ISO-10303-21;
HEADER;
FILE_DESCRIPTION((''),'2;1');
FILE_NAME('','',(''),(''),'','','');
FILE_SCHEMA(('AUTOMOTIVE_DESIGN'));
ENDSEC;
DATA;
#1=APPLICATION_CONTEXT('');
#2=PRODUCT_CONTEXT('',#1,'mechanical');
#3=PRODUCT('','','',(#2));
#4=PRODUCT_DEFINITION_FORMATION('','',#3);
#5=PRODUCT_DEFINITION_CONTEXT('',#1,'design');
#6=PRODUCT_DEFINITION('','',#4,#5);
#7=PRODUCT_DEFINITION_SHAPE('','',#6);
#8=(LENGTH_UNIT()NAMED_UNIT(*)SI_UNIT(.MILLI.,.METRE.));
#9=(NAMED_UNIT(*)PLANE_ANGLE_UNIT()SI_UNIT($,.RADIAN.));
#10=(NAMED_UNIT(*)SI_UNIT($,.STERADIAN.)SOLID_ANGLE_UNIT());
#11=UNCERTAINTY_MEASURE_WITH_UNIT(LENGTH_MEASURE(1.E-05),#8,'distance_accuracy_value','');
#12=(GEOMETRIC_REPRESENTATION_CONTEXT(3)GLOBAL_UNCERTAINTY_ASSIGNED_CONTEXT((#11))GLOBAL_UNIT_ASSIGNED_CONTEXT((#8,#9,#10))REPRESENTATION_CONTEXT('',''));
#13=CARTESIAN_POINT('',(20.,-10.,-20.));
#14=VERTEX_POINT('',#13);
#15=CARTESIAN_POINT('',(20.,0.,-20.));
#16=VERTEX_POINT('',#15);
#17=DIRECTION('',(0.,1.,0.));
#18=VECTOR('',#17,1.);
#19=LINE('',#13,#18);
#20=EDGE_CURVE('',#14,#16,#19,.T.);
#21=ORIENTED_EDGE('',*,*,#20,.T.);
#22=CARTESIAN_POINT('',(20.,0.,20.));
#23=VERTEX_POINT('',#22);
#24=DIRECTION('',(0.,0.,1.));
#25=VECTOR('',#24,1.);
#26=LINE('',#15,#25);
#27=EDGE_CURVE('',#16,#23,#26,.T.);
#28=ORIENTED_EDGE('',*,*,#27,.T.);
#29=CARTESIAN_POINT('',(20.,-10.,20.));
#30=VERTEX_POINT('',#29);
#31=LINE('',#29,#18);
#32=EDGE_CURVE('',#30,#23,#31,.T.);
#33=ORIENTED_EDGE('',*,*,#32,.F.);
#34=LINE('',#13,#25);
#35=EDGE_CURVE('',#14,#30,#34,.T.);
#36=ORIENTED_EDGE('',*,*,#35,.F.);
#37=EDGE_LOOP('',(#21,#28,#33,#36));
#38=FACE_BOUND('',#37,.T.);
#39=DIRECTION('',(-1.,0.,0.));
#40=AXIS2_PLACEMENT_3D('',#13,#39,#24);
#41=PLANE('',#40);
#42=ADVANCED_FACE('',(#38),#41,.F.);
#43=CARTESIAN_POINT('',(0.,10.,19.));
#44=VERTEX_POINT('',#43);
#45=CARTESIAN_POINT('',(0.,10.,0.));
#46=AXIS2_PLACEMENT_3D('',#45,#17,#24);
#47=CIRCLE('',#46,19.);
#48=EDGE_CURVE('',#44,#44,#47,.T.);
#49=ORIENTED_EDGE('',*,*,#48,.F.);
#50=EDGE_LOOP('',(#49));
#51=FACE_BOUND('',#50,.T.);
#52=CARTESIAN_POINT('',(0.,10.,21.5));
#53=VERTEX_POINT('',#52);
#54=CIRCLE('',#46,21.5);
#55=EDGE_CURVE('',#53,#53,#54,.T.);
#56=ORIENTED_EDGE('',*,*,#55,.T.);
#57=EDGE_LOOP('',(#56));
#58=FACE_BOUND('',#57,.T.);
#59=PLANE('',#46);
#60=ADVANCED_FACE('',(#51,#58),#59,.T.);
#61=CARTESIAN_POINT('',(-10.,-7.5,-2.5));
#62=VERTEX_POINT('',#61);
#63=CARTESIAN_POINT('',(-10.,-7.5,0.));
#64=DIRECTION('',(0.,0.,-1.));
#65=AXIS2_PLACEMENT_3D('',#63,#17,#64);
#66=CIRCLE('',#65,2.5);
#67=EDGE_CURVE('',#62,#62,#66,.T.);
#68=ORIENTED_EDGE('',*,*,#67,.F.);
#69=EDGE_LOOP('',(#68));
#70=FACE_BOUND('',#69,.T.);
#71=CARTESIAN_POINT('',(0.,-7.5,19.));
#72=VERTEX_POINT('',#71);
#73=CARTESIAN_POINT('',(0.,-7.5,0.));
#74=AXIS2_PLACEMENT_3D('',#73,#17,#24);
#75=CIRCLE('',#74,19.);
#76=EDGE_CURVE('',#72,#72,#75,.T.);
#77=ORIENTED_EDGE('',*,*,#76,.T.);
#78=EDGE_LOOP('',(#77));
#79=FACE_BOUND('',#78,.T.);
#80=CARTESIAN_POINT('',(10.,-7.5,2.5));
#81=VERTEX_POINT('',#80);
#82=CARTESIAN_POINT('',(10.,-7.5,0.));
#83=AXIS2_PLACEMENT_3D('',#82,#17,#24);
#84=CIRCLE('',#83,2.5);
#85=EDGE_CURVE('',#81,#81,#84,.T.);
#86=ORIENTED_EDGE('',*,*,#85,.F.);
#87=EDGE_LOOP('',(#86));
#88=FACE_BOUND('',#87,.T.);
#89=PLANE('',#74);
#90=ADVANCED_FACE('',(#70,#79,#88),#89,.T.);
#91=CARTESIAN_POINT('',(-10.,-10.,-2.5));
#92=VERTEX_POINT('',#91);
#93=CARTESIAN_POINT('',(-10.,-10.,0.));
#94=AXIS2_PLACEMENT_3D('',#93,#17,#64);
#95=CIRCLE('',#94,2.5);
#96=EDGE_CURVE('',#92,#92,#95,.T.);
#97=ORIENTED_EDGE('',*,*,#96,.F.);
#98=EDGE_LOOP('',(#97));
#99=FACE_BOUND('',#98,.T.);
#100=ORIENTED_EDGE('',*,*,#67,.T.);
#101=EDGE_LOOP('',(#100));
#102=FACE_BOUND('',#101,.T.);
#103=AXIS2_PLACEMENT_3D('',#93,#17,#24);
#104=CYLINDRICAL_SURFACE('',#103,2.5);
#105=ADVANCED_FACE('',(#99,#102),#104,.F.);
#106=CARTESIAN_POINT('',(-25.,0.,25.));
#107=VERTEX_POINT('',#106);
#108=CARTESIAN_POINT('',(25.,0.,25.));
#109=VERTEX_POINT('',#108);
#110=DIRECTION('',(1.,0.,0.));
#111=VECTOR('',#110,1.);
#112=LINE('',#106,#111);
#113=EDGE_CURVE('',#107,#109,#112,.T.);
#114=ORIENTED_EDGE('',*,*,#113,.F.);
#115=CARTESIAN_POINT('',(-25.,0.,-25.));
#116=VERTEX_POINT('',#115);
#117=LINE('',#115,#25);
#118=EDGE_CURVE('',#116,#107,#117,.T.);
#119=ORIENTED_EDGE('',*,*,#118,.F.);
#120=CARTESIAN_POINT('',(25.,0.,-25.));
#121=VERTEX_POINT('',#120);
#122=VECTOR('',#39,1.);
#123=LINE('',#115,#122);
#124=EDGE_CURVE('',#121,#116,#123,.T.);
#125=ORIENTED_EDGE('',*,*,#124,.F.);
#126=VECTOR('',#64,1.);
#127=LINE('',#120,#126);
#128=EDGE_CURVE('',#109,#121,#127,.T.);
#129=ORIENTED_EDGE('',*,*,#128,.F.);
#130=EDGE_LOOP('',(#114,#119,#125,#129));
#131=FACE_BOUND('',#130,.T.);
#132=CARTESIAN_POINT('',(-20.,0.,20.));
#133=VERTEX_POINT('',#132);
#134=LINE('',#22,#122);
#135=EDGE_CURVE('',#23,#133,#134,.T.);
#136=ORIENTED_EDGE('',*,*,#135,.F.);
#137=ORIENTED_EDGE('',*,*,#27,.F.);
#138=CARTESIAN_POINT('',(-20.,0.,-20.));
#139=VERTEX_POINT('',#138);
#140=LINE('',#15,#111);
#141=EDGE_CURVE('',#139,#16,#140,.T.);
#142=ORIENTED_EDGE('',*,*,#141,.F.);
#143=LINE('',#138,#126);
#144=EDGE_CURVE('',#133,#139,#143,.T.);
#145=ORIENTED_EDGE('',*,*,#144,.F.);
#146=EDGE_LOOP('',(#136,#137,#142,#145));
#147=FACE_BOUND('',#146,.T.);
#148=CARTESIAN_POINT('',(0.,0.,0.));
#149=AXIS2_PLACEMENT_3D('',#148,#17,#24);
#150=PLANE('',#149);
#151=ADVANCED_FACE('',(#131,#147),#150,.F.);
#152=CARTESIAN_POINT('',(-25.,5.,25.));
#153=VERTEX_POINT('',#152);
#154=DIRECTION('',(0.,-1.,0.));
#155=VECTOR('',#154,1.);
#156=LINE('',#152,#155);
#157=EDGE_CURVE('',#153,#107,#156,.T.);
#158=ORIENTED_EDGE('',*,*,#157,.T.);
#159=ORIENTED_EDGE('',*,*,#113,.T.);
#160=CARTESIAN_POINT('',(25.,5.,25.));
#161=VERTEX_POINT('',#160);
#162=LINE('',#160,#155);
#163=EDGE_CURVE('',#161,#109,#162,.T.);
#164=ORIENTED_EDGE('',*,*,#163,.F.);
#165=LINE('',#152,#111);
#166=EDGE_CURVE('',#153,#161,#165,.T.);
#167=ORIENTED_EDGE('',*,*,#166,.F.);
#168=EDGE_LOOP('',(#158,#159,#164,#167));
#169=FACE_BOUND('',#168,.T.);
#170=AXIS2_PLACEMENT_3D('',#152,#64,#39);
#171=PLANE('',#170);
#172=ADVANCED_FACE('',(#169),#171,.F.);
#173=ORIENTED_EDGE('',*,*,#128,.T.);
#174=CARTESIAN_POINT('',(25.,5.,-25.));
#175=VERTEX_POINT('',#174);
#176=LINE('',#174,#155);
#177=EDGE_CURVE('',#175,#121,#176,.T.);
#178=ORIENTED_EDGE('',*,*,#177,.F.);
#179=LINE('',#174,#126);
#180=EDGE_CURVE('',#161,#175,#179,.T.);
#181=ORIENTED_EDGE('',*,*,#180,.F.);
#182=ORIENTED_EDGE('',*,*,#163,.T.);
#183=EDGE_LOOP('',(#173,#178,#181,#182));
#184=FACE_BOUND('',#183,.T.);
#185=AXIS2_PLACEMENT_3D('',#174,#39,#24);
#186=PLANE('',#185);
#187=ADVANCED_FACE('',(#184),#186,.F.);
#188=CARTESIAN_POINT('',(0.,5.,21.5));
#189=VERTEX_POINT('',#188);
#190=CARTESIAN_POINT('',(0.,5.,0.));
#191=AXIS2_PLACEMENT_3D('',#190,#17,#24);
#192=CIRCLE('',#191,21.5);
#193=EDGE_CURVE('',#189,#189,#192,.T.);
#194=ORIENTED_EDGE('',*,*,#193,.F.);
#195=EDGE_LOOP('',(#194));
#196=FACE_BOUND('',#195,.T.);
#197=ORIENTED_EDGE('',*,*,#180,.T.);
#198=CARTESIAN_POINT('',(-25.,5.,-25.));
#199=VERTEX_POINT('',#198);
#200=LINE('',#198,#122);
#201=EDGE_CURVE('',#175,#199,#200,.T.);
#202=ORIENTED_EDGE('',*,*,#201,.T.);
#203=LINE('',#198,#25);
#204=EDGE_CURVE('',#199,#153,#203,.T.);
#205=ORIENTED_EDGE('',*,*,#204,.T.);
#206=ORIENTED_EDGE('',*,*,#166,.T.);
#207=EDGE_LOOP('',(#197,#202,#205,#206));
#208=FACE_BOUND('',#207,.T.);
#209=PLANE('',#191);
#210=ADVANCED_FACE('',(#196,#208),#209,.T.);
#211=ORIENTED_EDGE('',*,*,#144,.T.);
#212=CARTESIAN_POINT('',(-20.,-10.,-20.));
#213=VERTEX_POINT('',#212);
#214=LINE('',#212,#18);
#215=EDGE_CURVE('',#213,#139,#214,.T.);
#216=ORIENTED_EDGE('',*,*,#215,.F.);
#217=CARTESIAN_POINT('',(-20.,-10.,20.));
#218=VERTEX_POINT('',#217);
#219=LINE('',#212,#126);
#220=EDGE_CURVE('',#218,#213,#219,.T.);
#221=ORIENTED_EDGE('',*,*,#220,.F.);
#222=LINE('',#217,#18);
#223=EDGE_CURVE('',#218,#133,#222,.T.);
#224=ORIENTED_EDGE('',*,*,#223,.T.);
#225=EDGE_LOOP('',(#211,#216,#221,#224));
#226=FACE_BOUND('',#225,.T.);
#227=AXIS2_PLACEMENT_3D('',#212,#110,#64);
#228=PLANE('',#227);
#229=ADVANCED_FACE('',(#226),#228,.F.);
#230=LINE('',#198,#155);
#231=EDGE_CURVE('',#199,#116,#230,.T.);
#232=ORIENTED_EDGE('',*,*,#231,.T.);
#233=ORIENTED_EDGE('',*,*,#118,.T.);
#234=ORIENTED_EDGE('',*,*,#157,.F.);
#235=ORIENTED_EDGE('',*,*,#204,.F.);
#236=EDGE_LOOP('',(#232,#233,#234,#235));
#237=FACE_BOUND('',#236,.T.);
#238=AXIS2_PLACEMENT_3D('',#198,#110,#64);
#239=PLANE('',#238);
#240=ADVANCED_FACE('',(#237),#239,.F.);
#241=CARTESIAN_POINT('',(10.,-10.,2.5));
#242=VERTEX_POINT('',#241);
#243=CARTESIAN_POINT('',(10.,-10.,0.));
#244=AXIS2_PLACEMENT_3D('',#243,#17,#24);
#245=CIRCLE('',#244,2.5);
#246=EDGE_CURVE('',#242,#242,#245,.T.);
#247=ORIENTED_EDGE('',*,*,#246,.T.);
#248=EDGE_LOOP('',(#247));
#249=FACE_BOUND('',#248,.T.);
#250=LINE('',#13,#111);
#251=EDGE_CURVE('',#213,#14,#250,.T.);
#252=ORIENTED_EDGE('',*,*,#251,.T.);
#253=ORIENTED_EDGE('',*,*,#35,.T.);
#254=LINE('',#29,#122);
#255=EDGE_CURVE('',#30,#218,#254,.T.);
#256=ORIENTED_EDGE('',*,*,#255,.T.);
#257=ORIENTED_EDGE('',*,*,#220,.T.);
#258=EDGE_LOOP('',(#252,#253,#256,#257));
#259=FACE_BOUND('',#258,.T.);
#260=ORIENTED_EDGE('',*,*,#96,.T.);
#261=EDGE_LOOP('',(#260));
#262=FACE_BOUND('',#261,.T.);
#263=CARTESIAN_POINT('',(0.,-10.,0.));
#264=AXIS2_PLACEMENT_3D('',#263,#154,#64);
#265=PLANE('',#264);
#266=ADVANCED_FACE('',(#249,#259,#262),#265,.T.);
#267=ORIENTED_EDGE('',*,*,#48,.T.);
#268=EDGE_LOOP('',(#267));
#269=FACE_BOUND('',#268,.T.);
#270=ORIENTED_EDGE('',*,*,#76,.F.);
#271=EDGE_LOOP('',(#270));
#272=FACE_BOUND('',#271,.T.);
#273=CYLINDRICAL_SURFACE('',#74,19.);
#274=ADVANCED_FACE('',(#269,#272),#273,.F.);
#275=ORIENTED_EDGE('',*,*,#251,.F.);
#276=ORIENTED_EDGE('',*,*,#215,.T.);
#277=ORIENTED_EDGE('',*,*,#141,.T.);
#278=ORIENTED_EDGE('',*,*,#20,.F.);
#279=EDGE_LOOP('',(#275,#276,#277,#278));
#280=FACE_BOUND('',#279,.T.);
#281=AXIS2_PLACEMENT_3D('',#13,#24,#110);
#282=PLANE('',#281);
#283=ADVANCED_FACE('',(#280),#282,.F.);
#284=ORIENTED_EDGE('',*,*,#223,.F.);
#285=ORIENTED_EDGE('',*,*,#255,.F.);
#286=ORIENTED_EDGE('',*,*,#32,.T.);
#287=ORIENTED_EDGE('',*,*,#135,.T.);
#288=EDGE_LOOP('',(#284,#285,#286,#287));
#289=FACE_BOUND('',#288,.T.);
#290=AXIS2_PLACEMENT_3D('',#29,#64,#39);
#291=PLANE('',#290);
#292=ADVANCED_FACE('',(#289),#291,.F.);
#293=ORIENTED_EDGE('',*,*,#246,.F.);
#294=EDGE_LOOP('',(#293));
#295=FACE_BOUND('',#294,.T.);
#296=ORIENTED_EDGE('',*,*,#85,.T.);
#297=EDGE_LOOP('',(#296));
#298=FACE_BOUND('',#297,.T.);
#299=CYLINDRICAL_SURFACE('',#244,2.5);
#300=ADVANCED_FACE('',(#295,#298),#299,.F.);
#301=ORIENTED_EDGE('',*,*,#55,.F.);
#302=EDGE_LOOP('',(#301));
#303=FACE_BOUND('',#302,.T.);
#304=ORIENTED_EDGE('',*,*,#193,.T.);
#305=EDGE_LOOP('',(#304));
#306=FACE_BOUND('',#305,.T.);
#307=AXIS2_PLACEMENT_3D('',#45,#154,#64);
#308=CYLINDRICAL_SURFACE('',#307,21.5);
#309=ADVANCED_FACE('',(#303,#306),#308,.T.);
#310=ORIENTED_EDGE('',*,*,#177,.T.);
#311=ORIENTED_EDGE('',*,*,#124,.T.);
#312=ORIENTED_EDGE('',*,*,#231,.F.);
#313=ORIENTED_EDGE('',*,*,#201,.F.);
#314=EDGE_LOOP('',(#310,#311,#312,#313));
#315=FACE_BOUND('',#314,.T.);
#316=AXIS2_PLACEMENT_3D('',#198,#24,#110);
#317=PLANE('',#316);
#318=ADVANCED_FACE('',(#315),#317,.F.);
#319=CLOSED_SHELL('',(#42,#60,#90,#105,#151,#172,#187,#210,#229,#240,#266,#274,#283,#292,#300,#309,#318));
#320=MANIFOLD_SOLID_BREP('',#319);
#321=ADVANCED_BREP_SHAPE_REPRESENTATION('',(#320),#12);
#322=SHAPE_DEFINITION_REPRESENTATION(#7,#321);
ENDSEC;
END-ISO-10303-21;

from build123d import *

# Parameters (mm, degrees)
CROQUIS1_W              = 50
CROQUIS1_H              = 50
SALIENTE_EXTRUIR1_DEPTH = 5
CROQUIS2_R              = 21.5
SALIENTE_EXTRUIR2_DEPTH = 5
CROQUIS4_W              = 40
CROQUIS4_H              = 40
SALIENTE_EXTRUIR3_DEPTH = 10
CROQUIS3_R              = 19
CORTAR_EXTRUIR1_DEPTH   = 17.5
CROQUIS5_R              = 2.5
CORTAR_EXTRUIR2_DEPTH   = 3.5


with BuildPart() as part:
    # Croquis1 → Saliente-Extruir1 (new body)
    with BuildSketch(Plane(origin=(0, 0, 0), x_dir=(1, 0, 0), z_dir=(0, 1, 0))):
        Rectangle(CROQUIS1_W, CROQUIS1_H)
    extrude(amount=SALIENTE_EXTRUIR1_DEPTH)

    # Croquis2 → Saliente-Extruir2 (add)
    with BuildSketch(Plane(origin=(0, 5, 0), x_dir=(1, 0, 0), z_dir=(0, 1, 0))):
        Circle(CROQUIS2_R)
    extrude(amount=SALIENTE_EXTRUIR2_DEPTH)

    # Croquis4 → Saliente-Extruir3 (add)
    with BuildSketch(Plane.XZ):
        Rectangle(CROQUIS4_W, CROQUIS4_H)
    extrude(amount=SALIENTE_EXTRUIR3_DEPTH)

    # Croquis3 → Cortar-Extruir1 (cut)
    with BuildSketch(Plane(origin=(0, 10, 0), x_dir=(1, 0, 0), z_dir=(0, 1, 0))):
        Circle(CROQUIS3_R)
    extrude(amount=-CORTAR_EXTRUIR1_DEPTH, mode=Mode.SUBTRACT)

    # Croquis5 → Cortar-Extruir2 (cut, through all)
    with BuildSketch(Plane(origin=(0, -7.5, 0), x_dir=(1, 0, 0), z_dir=(0, 1, 0))):
        with Locations((10, 0)):
            Circle(CROQUIS5_R)
        with Locations((-10, 0)):
            Circle(CROQUIS5_R)
    extrude(amount=-CORTAR_EXTRUIR2_DEPTH, mode=Mode.SUBTRACT)


solid = part.part
